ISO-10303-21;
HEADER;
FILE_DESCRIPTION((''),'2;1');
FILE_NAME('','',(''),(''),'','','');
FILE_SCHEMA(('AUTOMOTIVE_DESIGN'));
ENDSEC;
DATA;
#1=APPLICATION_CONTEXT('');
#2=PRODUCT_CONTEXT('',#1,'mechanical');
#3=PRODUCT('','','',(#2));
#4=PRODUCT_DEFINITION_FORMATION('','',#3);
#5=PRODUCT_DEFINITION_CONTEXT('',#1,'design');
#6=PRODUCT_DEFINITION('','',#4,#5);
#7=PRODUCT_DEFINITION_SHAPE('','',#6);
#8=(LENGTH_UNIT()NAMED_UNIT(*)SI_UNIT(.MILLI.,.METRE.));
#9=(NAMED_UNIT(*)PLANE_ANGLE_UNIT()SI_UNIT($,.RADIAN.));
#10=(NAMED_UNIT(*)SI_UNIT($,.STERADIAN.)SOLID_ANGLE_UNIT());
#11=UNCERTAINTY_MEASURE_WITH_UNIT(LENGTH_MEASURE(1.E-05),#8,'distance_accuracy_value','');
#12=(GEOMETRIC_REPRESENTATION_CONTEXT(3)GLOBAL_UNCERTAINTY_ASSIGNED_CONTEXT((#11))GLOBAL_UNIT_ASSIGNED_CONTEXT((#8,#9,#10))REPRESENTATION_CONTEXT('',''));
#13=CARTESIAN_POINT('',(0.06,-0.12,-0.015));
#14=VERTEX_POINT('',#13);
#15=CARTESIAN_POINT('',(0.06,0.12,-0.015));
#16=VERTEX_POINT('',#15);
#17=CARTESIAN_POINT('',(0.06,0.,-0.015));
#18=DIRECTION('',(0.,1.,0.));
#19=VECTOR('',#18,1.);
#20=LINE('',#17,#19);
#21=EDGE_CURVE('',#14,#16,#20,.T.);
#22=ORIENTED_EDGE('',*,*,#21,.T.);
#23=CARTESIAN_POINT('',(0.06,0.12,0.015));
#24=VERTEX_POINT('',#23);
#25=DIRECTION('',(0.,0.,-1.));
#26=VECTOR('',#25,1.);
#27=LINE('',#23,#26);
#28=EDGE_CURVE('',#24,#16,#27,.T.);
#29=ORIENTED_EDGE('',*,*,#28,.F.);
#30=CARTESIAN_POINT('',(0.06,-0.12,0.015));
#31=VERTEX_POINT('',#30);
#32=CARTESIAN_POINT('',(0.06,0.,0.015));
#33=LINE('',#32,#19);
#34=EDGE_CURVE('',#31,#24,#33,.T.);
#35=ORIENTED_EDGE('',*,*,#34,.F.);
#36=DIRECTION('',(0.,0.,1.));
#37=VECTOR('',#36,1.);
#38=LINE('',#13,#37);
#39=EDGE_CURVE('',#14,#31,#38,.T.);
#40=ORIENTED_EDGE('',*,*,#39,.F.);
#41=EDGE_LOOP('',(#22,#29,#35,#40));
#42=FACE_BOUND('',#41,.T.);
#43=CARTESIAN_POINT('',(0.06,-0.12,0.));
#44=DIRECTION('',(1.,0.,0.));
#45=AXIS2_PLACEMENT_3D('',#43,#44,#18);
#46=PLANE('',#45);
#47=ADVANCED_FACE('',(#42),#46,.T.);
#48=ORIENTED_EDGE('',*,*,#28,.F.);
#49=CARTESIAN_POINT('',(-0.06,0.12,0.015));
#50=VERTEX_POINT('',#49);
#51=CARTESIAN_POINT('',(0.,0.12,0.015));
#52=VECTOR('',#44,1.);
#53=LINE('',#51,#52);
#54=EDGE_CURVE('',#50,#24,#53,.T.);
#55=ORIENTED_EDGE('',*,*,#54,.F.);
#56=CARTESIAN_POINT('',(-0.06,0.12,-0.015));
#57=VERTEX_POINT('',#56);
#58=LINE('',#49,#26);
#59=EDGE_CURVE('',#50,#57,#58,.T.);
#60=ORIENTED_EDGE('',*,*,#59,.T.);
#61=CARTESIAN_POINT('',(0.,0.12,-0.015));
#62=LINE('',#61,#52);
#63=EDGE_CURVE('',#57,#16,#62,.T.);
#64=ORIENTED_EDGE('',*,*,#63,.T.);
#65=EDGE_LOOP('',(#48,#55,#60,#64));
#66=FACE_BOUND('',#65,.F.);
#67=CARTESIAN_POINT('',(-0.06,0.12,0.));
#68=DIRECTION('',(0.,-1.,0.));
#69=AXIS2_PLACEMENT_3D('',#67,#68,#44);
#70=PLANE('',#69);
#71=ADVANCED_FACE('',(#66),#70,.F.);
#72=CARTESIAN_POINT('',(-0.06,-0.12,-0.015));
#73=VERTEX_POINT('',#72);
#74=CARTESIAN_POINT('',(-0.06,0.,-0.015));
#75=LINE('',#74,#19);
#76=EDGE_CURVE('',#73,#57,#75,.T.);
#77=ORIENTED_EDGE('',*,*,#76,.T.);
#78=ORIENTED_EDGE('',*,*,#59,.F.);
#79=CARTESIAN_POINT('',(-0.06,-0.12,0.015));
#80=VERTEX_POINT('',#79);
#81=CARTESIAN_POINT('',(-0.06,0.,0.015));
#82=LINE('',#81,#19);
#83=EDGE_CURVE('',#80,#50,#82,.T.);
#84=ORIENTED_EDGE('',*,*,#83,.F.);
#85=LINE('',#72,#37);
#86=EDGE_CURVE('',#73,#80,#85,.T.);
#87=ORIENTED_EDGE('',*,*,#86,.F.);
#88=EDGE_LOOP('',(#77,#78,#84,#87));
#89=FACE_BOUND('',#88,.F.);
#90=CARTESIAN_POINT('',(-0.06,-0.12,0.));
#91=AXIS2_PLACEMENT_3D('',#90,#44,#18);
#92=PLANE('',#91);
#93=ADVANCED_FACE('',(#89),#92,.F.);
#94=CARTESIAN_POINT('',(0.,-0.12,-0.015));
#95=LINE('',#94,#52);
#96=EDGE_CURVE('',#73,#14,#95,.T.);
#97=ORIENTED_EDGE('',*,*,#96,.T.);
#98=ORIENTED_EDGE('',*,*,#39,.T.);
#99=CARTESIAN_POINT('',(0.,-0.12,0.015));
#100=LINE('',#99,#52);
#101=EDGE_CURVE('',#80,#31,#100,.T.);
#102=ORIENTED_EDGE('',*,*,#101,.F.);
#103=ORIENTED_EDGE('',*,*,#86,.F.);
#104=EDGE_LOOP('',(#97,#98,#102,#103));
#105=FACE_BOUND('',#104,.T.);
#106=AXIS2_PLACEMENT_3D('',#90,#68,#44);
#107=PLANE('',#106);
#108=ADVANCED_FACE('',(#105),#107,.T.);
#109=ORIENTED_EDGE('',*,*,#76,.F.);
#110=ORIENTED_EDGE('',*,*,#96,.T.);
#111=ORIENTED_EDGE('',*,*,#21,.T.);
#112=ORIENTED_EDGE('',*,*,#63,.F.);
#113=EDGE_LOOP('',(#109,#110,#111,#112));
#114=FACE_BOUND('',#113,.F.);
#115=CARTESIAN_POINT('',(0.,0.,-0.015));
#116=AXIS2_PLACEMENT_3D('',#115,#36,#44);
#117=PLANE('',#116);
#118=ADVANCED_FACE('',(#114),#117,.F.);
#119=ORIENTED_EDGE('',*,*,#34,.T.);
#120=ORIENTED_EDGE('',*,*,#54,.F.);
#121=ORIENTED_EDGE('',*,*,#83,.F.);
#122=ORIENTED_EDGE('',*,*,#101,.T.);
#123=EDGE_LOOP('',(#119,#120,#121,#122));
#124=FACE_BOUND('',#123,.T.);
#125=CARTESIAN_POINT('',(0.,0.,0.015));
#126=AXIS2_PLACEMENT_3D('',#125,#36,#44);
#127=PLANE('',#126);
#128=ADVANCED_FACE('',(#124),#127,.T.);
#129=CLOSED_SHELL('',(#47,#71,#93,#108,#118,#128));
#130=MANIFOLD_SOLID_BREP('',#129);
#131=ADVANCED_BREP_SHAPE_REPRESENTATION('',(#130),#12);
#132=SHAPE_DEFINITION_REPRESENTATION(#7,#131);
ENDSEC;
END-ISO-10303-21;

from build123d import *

# Parameters (mm, degrees)
SKETCH_W  = 0.12
SKETCH_H  = 0.24
PAD_DEPTH = 0.015


with BuildPart() as part:
    # Sketch → Pad (new body, symmetric)
    with BuildSketch(Plane.XY):
        Rectangle(SKETCH_W, SKETCH_H)
    extrude(amount=PAD_DEPTH, both=True)


solid = part.part
